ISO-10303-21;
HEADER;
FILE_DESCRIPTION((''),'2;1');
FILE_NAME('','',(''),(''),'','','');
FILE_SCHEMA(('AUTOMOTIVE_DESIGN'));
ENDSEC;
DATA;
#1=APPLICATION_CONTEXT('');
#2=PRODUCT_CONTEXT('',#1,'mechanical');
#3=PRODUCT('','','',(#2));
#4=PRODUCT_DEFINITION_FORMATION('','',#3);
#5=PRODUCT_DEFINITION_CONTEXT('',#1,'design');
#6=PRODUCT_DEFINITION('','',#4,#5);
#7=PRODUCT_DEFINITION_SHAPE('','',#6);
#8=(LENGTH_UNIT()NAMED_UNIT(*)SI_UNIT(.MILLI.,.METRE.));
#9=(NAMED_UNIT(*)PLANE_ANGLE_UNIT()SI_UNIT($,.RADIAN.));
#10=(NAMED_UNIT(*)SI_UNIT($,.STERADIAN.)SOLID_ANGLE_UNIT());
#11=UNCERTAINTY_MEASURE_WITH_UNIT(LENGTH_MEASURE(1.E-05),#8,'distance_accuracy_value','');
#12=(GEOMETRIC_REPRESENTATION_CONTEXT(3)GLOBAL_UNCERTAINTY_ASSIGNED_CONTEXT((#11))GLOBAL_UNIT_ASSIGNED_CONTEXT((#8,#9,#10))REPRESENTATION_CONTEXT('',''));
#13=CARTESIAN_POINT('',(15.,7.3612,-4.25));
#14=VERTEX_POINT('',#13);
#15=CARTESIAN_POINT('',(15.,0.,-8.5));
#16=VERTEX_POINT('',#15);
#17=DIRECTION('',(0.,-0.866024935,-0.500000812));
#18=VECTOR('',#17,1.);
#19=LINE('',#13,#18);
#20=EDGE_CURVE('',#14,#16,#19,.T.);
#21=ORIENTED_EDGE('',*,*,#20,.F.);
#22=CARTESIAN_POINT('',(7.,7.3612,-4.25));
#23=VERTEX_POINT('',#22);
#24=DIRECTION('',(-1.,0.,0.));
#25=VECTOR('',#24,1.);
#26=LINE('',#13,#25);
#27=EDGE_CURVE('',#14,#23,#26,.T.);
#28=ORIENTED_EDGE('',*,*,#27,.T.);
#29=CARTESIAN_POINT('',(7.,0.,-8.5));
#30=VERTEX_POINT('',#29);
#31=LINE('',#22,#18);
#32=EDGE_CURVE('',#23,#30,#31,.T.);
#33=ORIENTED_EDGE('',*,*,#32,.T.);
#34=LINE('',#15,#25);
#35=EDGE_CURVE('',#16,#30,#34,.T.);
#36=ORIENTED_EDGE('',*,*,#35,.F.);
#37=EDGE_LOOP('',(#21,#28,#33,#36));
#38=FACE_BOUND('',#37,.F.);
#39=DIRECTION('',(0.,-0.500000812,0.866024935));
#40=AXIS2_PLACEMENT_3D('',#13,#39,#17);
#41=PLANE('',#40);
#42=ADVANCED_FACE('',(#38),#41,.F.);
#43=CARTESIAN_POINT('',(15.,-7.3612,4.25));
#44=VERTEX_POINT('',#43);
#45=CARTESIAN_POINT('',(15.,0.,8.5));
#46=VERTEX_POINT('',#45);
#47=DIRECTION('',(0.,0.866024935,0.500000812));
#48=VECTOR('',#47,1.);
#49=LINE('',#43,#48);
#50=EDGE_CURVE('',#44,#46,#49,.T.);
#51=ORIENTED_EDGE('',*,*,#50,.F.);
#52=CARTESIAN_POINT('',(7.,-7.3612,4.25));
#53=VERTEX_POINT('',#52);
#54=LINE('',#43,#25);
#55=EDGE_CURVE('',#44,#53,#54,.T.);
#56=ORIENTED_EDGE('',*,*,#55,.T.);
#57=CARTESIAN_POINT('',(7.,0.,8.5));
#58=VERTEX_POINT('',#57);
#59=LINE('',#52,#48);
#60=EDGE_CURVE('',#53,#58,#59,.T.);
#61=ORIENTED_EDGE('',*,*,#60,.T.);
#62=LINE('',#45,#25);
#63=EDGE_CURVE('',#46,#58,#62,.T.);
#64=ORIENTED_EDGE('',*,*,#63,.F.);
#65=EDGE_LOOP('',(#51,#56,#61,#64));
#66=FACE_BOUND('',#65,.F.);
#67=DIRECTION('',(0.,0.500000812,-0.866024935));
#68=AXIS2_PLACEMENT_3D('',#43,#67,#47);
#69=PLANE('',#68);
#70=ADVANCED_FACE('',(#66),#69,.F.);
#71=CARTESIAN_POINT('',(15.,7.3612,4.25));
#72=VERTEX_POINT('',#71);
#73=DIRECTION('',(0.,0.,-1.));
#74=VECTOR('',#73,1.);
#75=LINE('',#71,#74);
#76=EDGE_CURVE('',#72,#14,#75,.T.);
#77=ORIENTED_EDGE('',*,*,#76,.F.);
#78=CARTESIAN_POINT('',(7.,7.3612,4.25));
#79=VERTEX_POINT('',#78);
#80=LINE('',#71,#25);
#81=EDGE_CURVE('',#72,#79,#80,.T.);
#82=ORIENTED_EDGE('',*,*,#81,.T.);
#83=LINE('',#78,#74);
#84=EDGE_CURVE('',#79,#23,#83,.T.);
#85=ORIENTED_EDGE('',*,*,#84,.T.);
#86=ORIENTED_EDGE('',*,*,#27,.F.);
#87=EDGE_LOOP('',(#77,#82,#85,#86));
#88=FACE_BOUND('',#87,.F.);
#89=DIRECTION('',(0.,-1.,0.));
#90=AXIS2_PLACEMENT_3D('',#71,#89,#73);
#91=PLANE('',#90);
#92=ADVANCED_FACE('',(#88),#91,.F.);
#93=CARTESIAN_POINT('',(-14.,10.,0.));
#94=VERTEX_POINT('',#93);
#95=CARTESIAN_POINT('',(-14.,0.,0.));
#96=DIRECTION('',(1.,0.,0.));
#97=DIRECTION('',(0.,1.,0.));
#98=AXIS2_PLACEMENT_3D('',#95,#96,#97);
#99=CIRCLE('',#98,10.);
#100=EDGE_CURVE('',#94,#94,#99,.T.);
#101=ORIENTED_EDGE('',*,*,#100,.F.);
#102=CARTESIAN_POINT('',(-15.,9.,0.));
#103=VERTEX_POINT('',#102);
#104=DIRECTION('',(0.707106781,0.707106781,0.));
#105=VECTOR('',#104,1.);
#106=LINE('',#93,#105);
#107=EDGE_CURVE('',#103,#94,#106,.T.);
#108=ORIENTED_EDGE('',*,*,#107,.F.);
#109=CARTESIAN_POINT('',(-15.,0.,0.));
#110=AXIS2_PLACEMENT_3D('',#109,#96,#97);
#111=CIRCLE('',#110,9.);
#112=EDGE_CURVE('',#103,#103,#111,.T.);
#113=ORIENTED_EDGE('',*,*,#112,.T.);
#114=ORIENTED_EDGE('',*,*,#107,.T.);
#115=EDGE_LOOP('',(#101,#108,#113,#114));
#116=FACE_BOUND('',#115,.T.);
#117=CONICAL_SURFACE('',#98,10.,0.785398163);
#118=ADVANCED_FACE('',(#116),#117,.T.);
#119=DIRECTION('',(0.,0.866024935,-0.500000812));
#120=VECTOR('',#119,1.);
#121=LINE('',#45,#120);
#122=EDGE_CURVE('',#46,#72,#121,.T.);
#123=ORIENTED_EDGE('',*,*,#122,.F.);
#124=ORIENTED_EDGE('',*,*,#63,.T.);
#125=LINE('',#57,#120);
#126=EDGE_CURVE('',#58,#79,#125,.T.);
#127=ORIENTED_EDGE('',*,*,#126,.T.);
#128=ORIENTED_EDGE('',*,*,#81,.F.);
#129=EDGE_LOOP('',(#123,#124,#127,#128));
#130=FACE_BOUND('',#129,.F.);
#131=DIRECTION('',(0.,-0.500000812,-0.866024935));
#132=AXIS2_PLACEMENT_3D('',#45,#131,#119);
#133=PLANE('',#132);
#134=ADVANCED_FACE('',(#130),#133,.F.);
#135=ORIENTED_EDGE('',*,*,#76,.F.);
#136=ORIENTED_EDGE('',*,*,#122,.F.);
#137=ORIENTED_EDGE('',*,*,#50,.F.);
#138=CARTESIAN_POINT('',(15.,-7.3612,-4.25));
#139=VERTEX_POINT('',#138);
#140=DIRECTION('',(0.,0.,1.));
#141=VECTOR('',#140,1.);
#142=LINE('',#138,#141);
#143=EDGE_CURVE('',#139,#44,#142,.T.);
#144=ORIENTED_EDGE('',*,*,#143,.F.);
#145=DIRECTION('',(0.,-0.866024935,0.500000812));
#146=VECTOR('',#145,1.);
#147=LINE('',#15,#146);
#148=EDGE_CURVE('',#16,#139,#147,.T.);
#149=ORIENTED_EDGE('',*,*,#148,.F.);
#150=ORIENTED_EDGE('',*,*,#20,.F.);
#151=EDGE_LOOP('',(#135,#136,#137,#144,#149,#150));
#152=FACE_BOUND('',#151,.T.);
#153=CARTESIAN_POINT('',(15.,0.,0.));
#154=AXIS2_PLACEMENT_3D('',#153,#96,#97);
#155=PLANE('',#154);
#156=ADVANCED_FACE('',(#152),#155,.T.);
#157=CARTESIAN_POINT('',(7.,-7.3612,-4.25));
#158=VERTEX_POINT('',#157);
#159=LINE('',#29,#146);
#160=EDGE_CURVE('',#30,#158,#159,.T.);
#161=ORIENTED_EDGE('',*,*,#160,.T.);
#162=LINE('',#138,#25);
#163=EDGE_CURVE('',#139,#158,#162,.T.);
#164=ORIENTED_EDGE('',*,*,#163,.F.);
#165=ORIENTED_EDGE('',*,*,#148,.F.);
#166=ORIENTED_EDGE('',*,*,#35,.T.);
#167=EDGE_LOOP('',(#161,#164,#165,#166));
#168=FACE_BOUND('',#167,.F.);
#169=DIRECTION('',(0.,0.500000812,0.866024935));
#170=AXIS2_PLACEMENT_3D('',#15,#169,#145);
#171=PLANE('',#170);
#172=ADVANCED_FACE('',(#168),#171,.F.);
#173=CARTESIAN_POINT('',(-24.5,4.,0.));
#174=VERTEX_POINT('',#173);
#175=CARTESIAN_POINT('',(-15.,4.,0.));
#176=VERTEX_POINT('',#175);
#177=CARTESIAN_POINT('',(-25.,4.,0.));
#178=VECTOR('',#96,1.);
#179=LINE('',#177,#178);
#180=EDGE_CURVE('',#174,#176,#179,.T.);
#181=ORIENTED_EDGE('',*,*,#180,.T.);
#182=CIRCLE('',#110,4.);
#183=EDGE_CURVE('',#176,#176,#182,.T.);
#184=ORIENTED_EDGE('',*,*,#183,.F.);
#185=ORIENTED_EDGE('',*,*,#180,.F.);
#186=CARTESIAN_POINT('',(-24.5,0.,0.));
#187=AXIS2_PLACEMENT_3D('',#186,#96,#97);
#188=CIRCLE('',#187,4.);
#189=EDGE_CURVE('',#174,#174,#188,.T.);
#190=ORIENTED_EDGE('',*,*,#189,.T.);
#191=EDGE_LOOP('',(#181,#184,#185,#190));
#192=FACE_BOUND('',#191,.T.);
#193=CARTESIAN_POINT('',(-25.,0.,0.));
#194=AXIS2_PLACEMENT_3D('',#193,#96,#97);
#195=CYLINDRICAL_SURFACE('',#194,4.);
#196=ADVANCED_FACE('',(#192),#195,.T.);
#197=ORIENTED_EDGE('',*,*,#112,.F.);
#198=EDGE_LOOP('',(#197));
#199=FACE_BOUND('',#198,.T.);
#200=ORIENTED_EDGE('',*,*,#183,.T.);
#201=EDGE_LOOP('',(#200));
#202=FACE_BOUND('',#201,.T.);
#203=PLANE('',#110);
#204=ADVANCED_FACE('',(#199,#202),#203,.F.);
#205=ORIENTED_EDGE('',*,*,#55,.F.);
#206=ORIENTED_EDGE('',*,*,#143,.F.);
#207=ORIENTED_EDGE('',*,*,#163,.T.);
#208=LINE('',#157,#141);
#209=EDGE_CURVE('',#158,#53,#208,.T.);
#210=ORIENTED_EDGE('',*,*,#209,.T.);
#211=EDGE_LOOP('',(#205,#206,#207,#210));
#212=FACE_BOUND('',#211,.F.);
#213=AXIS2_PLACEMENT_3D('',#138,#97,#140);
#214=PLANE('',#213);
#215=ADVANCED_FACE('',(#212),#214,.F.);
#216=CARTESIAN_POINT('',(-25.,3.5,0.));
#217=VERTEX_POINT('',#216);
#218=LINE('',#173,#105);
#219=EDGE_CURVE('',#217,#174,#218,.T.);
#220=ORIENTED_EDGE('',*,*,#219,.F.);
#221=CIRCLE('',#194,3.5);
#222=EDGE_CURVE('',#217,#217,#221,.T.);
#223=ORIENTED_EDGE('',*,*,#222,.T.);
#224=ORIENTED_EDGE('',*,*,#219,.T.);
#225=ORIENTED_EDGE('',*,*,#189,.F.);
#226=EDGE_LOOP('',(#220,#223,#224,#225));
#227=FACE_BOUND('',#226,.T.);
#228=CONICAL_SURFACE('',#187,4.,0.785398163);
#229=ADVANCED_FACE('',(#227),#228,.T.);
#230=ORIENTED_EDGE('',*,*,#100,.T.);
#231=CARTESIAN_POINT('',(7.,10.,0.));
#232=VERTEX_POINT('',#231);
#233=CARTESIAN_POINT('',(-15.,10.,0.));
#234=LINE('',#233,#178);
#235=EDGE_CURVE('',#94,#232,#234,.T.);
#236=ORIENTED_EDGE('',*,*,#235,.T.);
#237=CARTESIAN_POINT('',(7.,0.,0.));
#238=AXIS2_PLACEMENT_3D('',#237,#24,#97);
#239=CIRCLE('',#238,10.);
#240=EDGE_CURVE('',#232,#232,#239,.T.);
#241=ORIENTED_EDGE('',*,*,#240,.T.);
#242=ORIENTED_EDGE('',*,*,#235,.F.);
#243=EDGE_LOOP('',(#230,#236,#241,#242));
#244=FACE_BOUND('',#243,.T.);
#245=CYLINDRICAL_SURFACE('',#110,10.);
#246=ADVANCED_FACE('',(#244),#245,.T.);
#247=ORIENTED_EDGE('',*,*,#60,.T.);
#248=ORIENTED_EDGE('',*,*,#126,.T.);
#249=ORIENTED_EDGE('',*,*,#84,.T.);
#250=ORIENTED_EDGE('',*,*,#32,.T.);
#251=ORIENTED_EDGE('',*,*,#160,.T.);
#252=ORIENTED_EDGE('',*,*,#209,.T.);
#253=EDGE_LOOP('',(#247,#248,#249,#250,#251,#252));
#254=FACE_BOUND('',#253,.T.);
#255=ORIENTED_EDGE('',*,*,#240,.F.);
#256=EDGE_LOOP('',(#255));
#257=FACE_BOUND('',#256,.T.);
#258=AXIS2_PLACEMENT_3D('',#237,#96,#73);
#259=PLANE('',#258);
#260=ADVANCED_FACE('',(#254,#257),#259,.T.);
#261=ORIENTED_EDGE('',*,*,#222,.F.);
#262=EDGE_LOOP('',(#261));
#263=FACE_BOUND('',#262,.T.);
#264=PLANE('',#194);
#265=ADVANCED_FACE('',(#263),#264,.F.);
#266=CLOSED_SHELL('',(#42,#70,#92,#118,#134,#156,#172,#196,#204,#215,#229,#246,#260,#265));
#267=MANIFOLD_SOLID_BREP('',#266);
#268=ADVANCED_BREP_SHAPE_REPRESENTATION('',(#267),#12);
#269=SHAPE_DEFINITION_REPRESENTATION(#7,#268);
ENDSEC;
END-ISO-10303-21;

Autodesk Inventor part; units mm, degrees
ref_plane "YZ Plane" through (0, 0, 0) normal (1, 0, 0) x (0, 1, 0)
ref_plane "XZ Plane" through (0, 0, 0) normal (0, 1, 0) x (-1, 0, 0)
ref_plane "XY Plane" through (0, 0, 0) normal (0, 0, 1) x (1, 0, 0)
sketch "Schizzo1" plane through (0, 0, 0) normal (0, 0, 1) x (1, 0, 0)
  line L0 (-25, 0) -> (42.5, 0)
  line L1 (-25, 0) -> (-25, 4)
  line L2 (-25, 4) -> (-15, 4)
  line L3 (-15, 4) -> (-15, 10)
  line L4 (-15, 10) -> (15, 10)
  line L5 (15, 10) -> (15, 0)
  point P0 (0, 0)
  point P1 (0, 0)
  point P2 (15, 4)
  point P3 (42.5, 4)
  point P4 (0, 10)
  dimension "d0" = 8
  dimension "d1" = 10
  dimension "d2" = 20
  dimension "d3" = 30
revolve "Rivoluzione1" add sketch "Schizzo1" angle 360 about axis through (-25, 0, 0) along (1, 0, 0)
chamfer "Smusso1" distance 0.5 angle 45 1 edges at (-25, -4, 0)
thread "Filettatura1" size "M8x1.25" class "6g" standard "ISO Metric profile" full length
chamfer "Smusso2" distance 1 angle 45 1 edges at (-15, -10, 0)
sketch "Schizzo2" plane through (15, 0, 0) normal (1, 0, 0) x (0, 0, -1)
  circle A0 centre (0, 0) radius 10 projected
  circle A1 centre (0, 0) radius 10
  line L0 (-8.5, 0) -> (-4.25, 7.3612)
  line L1 (-4.25, 7.3612) -> (4.25, 7.3612)
  line L2 (4.25, 7.3612) -> (8.5, 0)
  line L3 (8.5, 0) -> (4.25, -7.3612)
  line L4 (4.25, -7.3612) -> (-4.25, -7.3612)
  line L5 (-4.25, -7.3612) -> (-8.5, 0)
  point P0 (0, 0)
  point P1 (0, 0)
  point P2 (-10, 0)
  dimension "d17" = 17
extrude "Estrusione2" cut sketch "Schizzo2" against normal blind 8
properties part number "Albero cuscinetto"
